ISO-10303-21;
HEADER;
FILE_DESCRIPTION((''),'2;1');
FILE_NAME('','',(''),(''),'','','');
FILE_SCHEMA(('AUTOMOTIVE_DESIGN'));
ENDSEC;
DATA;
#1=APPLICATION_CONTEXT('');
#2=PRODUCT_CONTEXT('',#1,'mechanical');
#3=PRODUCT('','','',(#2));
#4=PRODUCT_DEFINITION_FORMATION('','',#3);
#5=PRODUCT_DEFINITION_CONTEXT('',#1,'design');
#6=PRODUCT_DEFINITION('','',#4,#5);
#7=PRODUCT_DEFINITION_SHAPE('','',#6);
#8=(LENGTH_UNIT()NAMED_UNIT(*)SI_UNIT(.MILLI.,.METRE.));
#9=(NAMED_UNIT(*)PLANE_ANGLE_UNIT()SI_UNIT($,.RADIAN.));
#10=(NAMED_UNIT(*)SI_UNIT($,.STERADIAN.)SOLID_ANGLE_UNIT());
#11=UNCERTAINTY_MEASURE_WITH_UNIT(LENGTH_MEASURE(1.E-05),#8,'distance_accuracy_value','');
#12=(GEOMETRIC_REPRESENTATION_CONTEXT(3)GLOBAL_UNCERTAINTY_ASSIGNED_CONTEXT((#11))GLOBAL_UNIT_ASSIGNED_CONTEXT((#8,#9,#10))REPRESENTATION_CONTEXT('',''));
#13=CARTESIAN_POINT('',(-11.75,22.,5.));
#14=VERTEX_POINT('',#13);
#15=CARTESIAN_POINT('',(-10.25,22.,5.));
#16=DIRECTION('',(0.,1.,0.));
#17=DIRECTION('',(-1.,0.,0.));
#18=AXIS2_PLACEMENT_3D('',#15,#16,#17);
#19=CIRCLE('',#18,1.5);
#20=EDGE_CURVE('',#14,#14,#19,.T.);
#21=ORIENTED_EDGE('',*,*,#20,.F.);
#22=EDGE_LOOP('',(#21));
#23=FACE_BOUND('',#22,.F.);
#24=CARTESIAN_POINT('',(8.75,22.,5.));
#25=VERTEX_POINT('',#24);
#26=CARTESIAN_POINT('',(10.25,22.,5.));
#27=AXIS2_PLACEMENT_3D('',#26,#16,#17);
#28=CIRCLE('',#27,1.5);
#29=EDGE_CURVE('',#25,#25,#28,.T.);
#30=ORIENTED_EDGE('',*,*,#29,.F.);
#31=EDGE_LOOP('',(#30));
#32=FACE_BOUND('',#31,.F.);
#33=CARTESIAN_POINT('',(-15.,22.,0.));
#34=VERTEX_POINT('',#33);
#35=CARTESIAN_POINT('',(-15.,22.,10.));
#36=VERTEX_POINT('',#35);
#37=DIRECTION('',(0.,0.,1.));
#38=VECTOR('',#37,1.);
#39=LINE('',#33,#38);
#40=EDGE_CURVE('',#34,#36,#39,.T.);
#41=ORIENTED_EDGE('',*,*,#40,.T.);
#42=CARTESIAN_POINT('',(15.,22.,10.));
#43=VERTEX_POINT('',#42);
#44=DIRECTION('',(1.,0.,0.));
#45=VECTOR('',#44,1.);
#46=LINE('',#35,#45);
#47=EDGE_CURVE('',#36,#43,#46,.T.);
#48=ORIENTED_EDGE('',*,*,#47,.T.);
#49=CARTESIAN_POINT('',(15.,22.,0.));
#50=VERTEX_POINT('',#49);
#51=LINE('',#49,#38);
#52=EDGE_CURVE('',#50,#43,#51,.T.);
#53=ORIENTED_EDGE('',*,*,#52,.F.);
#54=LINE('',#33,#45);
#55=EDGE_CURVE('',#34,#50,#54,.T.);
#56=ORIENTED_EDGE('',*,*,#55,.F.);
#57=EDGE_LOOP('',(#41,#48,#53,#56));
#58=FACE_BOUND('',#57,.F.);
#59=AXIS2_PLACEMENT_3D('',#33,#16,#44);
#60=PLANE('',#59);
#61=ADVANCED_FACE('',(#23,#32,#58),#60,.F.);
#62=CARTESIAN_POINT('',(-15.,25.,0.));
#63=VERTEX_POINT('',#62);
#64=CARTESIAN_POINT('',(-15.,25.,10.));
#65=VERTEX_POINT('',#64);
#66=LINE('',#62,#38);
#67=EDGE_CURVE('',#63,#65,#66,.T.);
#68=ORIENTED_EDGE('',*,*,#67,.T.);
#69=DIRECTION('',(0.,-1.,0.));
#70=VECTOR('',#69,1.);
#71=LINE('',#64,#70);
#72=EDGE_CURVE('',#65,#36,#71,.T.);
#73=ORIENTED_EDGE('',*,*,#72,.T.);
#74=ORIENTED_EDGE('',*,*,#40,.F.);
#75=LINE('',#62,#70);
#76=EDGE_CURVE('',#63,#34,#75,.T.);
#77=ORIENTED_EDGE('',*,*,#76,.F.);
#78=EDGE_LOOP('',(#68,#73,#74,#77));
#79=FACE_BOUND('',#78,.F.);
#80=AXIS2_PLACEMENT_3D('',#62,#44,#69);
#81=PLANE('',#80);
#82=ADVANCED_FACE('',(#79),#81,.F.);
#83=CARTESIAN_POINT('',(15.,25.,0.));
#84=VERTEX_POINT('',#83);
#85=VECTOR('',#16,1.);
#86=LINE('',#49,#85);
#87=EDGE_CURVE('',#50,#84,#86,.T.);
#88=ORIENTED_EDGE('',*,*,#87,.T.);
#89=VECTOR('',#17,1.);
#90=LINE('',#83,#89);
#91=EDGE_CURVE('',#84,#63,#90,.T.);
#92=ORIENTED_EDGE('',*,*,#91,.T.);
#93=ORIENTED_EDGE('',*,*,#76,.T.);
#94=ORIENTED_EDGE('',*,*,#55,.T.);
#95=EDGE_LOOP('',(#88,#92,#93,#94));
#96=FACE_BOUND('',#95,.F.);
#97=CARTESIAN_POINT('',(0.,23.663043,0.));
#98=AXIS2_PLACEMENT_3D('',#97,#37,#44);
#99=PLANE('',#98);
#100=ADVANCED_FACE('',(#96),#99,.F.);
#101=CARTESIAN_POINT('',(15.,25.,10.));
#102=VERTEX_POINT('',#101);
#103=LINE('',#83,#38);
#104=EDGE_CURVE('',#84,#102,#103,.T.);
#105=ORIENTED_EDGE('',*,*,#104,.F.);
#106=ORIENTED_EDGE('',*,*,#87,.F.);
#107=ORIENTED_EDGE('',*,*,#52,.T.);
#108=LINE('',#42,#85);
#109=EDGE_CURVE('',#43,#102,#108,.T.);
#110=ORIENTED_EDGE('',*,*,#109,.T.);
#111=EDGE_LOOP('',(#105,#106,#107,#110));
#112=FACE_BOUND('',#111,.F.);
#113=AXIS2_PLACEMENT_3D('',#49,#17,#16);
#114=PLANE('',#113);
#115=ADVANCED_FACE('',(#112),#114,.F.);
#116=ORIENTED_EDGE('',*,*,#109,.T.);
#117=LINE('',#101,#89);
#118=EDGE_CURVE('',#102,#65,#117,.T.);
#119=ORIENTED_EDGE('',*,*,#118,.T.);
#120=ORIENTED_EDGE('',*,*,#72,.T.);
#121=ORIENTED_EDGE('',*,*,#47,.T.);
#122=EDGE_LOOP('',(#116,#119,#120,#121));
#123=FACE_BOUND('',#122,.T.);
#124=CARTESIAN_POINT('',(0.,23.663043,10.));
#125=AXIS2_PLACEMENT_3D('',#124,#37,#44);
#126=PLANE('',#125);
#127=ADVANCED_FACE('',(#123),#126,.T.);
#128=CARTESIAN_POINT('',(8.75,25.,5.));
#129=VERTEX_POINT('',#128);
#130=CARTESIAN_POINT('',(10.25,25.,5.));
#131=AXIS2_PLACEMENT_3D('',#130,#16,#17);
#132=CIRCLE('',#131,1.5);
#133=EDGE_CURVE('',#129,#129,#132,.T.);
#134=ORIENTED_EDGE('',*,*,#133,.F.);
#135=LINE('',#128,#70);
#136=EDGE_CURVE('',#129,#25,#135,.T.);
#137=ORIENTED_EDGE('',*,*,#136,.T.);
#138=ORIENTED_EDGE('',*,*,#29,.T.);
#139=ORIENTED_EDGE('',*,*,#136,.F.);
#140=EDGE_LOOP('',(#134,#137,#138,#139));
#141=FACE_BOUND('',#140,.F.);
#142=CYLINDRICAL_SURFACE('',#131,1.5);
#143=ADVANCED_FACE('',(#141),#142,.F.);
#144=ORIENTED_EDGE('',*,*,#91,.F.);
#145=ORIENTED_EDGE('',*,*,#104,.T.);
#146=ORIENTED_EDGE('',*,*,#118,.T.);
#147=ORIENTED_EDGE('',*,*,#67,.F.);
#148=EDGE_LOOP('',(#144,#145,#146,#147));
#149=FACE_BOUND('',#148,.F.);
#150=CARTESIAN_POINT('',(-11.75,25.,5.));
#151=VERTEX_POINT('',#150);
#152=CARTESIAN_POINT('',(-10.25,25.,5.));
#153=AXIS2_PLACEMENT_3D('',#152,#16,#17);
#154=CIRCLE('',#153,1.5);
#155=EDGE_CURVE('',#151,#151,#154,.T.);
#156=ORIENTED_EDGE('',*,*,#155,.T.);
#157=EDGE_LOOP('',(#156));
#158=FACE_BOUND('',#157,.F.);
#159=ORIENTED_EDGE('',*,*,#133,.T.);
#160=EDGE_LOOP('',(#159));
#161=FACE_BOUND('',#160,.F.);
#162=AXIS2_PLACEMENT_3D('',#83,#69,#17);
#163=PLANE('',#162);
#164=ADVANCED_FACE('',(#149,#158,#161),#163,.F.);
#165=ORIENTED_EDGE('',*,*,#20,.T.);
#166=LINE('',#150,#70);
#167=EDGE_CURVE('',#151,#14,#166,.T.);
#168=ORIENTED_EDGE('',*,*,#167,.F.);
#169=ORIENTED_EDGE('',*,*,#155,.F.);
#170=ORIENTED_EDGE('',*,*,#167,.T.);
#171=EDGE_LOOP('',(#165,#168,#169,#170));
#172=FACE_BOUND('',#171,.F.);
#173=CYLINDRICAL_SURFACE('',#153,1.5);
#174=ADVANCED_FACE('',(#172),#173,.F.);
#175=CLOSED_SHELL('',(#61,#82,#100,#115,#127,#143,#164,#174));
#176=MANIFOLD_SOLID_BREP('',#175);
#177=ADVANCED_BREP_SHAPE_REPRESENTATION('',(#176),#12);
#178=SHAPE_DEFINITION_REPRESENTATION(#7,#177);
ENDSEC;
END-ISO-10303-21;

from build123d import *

# Parameters (mm, degrees)
F0_W     = 9
F0_H     = 1.5
F1_DEPTH = 10
F3_R     = 1.5
F4_DEPTH = 3
F5_DEPTH = 3.001


with BuildPart() as f1:
    # F0 (on Top) → F1 (new body)
    with BuildSketch(Plane.XY):
        Polygon((4.5, 23.5), (4.5, 22), (15, 22), (15, 25), (-15, 25), (-15, 22), (-4.5, 22), (-4.5, 23.5), align=None)
        with Locations((0, 22.75)):
            Rectangle(F0_W, F0_H)
    extrude(amount=F1_DEPTH)

    # F3 (on offset) → F4 (cut, through all)
    with BuildSketch(Plane(origin=(0, 25, 0), x_dir=(-1, 0, 0), z_dir=(0, 1, 0))):
        with Locations((10.25, 5)):
            Circle(F3_R)
        with Locations((-10.25, 5)):
            Circle(F3_R)
    extrude(amount=-F4_DEPTH, mode=Mode.SUBTRACT)

    # F3 (on offset) → F5 (cut, through all)
    with BuildSketch(Plane(origin=(0, 25, 0), x_dir=(-1, 0, 0), z_dir=(0, 1, 0))):
        with Locations((-22.25, 5)):
            Circle(F3_R)
    extrude(amount=-F5_DEPTH, mode=Mode.SUBTRACT)


solid = f1.part
